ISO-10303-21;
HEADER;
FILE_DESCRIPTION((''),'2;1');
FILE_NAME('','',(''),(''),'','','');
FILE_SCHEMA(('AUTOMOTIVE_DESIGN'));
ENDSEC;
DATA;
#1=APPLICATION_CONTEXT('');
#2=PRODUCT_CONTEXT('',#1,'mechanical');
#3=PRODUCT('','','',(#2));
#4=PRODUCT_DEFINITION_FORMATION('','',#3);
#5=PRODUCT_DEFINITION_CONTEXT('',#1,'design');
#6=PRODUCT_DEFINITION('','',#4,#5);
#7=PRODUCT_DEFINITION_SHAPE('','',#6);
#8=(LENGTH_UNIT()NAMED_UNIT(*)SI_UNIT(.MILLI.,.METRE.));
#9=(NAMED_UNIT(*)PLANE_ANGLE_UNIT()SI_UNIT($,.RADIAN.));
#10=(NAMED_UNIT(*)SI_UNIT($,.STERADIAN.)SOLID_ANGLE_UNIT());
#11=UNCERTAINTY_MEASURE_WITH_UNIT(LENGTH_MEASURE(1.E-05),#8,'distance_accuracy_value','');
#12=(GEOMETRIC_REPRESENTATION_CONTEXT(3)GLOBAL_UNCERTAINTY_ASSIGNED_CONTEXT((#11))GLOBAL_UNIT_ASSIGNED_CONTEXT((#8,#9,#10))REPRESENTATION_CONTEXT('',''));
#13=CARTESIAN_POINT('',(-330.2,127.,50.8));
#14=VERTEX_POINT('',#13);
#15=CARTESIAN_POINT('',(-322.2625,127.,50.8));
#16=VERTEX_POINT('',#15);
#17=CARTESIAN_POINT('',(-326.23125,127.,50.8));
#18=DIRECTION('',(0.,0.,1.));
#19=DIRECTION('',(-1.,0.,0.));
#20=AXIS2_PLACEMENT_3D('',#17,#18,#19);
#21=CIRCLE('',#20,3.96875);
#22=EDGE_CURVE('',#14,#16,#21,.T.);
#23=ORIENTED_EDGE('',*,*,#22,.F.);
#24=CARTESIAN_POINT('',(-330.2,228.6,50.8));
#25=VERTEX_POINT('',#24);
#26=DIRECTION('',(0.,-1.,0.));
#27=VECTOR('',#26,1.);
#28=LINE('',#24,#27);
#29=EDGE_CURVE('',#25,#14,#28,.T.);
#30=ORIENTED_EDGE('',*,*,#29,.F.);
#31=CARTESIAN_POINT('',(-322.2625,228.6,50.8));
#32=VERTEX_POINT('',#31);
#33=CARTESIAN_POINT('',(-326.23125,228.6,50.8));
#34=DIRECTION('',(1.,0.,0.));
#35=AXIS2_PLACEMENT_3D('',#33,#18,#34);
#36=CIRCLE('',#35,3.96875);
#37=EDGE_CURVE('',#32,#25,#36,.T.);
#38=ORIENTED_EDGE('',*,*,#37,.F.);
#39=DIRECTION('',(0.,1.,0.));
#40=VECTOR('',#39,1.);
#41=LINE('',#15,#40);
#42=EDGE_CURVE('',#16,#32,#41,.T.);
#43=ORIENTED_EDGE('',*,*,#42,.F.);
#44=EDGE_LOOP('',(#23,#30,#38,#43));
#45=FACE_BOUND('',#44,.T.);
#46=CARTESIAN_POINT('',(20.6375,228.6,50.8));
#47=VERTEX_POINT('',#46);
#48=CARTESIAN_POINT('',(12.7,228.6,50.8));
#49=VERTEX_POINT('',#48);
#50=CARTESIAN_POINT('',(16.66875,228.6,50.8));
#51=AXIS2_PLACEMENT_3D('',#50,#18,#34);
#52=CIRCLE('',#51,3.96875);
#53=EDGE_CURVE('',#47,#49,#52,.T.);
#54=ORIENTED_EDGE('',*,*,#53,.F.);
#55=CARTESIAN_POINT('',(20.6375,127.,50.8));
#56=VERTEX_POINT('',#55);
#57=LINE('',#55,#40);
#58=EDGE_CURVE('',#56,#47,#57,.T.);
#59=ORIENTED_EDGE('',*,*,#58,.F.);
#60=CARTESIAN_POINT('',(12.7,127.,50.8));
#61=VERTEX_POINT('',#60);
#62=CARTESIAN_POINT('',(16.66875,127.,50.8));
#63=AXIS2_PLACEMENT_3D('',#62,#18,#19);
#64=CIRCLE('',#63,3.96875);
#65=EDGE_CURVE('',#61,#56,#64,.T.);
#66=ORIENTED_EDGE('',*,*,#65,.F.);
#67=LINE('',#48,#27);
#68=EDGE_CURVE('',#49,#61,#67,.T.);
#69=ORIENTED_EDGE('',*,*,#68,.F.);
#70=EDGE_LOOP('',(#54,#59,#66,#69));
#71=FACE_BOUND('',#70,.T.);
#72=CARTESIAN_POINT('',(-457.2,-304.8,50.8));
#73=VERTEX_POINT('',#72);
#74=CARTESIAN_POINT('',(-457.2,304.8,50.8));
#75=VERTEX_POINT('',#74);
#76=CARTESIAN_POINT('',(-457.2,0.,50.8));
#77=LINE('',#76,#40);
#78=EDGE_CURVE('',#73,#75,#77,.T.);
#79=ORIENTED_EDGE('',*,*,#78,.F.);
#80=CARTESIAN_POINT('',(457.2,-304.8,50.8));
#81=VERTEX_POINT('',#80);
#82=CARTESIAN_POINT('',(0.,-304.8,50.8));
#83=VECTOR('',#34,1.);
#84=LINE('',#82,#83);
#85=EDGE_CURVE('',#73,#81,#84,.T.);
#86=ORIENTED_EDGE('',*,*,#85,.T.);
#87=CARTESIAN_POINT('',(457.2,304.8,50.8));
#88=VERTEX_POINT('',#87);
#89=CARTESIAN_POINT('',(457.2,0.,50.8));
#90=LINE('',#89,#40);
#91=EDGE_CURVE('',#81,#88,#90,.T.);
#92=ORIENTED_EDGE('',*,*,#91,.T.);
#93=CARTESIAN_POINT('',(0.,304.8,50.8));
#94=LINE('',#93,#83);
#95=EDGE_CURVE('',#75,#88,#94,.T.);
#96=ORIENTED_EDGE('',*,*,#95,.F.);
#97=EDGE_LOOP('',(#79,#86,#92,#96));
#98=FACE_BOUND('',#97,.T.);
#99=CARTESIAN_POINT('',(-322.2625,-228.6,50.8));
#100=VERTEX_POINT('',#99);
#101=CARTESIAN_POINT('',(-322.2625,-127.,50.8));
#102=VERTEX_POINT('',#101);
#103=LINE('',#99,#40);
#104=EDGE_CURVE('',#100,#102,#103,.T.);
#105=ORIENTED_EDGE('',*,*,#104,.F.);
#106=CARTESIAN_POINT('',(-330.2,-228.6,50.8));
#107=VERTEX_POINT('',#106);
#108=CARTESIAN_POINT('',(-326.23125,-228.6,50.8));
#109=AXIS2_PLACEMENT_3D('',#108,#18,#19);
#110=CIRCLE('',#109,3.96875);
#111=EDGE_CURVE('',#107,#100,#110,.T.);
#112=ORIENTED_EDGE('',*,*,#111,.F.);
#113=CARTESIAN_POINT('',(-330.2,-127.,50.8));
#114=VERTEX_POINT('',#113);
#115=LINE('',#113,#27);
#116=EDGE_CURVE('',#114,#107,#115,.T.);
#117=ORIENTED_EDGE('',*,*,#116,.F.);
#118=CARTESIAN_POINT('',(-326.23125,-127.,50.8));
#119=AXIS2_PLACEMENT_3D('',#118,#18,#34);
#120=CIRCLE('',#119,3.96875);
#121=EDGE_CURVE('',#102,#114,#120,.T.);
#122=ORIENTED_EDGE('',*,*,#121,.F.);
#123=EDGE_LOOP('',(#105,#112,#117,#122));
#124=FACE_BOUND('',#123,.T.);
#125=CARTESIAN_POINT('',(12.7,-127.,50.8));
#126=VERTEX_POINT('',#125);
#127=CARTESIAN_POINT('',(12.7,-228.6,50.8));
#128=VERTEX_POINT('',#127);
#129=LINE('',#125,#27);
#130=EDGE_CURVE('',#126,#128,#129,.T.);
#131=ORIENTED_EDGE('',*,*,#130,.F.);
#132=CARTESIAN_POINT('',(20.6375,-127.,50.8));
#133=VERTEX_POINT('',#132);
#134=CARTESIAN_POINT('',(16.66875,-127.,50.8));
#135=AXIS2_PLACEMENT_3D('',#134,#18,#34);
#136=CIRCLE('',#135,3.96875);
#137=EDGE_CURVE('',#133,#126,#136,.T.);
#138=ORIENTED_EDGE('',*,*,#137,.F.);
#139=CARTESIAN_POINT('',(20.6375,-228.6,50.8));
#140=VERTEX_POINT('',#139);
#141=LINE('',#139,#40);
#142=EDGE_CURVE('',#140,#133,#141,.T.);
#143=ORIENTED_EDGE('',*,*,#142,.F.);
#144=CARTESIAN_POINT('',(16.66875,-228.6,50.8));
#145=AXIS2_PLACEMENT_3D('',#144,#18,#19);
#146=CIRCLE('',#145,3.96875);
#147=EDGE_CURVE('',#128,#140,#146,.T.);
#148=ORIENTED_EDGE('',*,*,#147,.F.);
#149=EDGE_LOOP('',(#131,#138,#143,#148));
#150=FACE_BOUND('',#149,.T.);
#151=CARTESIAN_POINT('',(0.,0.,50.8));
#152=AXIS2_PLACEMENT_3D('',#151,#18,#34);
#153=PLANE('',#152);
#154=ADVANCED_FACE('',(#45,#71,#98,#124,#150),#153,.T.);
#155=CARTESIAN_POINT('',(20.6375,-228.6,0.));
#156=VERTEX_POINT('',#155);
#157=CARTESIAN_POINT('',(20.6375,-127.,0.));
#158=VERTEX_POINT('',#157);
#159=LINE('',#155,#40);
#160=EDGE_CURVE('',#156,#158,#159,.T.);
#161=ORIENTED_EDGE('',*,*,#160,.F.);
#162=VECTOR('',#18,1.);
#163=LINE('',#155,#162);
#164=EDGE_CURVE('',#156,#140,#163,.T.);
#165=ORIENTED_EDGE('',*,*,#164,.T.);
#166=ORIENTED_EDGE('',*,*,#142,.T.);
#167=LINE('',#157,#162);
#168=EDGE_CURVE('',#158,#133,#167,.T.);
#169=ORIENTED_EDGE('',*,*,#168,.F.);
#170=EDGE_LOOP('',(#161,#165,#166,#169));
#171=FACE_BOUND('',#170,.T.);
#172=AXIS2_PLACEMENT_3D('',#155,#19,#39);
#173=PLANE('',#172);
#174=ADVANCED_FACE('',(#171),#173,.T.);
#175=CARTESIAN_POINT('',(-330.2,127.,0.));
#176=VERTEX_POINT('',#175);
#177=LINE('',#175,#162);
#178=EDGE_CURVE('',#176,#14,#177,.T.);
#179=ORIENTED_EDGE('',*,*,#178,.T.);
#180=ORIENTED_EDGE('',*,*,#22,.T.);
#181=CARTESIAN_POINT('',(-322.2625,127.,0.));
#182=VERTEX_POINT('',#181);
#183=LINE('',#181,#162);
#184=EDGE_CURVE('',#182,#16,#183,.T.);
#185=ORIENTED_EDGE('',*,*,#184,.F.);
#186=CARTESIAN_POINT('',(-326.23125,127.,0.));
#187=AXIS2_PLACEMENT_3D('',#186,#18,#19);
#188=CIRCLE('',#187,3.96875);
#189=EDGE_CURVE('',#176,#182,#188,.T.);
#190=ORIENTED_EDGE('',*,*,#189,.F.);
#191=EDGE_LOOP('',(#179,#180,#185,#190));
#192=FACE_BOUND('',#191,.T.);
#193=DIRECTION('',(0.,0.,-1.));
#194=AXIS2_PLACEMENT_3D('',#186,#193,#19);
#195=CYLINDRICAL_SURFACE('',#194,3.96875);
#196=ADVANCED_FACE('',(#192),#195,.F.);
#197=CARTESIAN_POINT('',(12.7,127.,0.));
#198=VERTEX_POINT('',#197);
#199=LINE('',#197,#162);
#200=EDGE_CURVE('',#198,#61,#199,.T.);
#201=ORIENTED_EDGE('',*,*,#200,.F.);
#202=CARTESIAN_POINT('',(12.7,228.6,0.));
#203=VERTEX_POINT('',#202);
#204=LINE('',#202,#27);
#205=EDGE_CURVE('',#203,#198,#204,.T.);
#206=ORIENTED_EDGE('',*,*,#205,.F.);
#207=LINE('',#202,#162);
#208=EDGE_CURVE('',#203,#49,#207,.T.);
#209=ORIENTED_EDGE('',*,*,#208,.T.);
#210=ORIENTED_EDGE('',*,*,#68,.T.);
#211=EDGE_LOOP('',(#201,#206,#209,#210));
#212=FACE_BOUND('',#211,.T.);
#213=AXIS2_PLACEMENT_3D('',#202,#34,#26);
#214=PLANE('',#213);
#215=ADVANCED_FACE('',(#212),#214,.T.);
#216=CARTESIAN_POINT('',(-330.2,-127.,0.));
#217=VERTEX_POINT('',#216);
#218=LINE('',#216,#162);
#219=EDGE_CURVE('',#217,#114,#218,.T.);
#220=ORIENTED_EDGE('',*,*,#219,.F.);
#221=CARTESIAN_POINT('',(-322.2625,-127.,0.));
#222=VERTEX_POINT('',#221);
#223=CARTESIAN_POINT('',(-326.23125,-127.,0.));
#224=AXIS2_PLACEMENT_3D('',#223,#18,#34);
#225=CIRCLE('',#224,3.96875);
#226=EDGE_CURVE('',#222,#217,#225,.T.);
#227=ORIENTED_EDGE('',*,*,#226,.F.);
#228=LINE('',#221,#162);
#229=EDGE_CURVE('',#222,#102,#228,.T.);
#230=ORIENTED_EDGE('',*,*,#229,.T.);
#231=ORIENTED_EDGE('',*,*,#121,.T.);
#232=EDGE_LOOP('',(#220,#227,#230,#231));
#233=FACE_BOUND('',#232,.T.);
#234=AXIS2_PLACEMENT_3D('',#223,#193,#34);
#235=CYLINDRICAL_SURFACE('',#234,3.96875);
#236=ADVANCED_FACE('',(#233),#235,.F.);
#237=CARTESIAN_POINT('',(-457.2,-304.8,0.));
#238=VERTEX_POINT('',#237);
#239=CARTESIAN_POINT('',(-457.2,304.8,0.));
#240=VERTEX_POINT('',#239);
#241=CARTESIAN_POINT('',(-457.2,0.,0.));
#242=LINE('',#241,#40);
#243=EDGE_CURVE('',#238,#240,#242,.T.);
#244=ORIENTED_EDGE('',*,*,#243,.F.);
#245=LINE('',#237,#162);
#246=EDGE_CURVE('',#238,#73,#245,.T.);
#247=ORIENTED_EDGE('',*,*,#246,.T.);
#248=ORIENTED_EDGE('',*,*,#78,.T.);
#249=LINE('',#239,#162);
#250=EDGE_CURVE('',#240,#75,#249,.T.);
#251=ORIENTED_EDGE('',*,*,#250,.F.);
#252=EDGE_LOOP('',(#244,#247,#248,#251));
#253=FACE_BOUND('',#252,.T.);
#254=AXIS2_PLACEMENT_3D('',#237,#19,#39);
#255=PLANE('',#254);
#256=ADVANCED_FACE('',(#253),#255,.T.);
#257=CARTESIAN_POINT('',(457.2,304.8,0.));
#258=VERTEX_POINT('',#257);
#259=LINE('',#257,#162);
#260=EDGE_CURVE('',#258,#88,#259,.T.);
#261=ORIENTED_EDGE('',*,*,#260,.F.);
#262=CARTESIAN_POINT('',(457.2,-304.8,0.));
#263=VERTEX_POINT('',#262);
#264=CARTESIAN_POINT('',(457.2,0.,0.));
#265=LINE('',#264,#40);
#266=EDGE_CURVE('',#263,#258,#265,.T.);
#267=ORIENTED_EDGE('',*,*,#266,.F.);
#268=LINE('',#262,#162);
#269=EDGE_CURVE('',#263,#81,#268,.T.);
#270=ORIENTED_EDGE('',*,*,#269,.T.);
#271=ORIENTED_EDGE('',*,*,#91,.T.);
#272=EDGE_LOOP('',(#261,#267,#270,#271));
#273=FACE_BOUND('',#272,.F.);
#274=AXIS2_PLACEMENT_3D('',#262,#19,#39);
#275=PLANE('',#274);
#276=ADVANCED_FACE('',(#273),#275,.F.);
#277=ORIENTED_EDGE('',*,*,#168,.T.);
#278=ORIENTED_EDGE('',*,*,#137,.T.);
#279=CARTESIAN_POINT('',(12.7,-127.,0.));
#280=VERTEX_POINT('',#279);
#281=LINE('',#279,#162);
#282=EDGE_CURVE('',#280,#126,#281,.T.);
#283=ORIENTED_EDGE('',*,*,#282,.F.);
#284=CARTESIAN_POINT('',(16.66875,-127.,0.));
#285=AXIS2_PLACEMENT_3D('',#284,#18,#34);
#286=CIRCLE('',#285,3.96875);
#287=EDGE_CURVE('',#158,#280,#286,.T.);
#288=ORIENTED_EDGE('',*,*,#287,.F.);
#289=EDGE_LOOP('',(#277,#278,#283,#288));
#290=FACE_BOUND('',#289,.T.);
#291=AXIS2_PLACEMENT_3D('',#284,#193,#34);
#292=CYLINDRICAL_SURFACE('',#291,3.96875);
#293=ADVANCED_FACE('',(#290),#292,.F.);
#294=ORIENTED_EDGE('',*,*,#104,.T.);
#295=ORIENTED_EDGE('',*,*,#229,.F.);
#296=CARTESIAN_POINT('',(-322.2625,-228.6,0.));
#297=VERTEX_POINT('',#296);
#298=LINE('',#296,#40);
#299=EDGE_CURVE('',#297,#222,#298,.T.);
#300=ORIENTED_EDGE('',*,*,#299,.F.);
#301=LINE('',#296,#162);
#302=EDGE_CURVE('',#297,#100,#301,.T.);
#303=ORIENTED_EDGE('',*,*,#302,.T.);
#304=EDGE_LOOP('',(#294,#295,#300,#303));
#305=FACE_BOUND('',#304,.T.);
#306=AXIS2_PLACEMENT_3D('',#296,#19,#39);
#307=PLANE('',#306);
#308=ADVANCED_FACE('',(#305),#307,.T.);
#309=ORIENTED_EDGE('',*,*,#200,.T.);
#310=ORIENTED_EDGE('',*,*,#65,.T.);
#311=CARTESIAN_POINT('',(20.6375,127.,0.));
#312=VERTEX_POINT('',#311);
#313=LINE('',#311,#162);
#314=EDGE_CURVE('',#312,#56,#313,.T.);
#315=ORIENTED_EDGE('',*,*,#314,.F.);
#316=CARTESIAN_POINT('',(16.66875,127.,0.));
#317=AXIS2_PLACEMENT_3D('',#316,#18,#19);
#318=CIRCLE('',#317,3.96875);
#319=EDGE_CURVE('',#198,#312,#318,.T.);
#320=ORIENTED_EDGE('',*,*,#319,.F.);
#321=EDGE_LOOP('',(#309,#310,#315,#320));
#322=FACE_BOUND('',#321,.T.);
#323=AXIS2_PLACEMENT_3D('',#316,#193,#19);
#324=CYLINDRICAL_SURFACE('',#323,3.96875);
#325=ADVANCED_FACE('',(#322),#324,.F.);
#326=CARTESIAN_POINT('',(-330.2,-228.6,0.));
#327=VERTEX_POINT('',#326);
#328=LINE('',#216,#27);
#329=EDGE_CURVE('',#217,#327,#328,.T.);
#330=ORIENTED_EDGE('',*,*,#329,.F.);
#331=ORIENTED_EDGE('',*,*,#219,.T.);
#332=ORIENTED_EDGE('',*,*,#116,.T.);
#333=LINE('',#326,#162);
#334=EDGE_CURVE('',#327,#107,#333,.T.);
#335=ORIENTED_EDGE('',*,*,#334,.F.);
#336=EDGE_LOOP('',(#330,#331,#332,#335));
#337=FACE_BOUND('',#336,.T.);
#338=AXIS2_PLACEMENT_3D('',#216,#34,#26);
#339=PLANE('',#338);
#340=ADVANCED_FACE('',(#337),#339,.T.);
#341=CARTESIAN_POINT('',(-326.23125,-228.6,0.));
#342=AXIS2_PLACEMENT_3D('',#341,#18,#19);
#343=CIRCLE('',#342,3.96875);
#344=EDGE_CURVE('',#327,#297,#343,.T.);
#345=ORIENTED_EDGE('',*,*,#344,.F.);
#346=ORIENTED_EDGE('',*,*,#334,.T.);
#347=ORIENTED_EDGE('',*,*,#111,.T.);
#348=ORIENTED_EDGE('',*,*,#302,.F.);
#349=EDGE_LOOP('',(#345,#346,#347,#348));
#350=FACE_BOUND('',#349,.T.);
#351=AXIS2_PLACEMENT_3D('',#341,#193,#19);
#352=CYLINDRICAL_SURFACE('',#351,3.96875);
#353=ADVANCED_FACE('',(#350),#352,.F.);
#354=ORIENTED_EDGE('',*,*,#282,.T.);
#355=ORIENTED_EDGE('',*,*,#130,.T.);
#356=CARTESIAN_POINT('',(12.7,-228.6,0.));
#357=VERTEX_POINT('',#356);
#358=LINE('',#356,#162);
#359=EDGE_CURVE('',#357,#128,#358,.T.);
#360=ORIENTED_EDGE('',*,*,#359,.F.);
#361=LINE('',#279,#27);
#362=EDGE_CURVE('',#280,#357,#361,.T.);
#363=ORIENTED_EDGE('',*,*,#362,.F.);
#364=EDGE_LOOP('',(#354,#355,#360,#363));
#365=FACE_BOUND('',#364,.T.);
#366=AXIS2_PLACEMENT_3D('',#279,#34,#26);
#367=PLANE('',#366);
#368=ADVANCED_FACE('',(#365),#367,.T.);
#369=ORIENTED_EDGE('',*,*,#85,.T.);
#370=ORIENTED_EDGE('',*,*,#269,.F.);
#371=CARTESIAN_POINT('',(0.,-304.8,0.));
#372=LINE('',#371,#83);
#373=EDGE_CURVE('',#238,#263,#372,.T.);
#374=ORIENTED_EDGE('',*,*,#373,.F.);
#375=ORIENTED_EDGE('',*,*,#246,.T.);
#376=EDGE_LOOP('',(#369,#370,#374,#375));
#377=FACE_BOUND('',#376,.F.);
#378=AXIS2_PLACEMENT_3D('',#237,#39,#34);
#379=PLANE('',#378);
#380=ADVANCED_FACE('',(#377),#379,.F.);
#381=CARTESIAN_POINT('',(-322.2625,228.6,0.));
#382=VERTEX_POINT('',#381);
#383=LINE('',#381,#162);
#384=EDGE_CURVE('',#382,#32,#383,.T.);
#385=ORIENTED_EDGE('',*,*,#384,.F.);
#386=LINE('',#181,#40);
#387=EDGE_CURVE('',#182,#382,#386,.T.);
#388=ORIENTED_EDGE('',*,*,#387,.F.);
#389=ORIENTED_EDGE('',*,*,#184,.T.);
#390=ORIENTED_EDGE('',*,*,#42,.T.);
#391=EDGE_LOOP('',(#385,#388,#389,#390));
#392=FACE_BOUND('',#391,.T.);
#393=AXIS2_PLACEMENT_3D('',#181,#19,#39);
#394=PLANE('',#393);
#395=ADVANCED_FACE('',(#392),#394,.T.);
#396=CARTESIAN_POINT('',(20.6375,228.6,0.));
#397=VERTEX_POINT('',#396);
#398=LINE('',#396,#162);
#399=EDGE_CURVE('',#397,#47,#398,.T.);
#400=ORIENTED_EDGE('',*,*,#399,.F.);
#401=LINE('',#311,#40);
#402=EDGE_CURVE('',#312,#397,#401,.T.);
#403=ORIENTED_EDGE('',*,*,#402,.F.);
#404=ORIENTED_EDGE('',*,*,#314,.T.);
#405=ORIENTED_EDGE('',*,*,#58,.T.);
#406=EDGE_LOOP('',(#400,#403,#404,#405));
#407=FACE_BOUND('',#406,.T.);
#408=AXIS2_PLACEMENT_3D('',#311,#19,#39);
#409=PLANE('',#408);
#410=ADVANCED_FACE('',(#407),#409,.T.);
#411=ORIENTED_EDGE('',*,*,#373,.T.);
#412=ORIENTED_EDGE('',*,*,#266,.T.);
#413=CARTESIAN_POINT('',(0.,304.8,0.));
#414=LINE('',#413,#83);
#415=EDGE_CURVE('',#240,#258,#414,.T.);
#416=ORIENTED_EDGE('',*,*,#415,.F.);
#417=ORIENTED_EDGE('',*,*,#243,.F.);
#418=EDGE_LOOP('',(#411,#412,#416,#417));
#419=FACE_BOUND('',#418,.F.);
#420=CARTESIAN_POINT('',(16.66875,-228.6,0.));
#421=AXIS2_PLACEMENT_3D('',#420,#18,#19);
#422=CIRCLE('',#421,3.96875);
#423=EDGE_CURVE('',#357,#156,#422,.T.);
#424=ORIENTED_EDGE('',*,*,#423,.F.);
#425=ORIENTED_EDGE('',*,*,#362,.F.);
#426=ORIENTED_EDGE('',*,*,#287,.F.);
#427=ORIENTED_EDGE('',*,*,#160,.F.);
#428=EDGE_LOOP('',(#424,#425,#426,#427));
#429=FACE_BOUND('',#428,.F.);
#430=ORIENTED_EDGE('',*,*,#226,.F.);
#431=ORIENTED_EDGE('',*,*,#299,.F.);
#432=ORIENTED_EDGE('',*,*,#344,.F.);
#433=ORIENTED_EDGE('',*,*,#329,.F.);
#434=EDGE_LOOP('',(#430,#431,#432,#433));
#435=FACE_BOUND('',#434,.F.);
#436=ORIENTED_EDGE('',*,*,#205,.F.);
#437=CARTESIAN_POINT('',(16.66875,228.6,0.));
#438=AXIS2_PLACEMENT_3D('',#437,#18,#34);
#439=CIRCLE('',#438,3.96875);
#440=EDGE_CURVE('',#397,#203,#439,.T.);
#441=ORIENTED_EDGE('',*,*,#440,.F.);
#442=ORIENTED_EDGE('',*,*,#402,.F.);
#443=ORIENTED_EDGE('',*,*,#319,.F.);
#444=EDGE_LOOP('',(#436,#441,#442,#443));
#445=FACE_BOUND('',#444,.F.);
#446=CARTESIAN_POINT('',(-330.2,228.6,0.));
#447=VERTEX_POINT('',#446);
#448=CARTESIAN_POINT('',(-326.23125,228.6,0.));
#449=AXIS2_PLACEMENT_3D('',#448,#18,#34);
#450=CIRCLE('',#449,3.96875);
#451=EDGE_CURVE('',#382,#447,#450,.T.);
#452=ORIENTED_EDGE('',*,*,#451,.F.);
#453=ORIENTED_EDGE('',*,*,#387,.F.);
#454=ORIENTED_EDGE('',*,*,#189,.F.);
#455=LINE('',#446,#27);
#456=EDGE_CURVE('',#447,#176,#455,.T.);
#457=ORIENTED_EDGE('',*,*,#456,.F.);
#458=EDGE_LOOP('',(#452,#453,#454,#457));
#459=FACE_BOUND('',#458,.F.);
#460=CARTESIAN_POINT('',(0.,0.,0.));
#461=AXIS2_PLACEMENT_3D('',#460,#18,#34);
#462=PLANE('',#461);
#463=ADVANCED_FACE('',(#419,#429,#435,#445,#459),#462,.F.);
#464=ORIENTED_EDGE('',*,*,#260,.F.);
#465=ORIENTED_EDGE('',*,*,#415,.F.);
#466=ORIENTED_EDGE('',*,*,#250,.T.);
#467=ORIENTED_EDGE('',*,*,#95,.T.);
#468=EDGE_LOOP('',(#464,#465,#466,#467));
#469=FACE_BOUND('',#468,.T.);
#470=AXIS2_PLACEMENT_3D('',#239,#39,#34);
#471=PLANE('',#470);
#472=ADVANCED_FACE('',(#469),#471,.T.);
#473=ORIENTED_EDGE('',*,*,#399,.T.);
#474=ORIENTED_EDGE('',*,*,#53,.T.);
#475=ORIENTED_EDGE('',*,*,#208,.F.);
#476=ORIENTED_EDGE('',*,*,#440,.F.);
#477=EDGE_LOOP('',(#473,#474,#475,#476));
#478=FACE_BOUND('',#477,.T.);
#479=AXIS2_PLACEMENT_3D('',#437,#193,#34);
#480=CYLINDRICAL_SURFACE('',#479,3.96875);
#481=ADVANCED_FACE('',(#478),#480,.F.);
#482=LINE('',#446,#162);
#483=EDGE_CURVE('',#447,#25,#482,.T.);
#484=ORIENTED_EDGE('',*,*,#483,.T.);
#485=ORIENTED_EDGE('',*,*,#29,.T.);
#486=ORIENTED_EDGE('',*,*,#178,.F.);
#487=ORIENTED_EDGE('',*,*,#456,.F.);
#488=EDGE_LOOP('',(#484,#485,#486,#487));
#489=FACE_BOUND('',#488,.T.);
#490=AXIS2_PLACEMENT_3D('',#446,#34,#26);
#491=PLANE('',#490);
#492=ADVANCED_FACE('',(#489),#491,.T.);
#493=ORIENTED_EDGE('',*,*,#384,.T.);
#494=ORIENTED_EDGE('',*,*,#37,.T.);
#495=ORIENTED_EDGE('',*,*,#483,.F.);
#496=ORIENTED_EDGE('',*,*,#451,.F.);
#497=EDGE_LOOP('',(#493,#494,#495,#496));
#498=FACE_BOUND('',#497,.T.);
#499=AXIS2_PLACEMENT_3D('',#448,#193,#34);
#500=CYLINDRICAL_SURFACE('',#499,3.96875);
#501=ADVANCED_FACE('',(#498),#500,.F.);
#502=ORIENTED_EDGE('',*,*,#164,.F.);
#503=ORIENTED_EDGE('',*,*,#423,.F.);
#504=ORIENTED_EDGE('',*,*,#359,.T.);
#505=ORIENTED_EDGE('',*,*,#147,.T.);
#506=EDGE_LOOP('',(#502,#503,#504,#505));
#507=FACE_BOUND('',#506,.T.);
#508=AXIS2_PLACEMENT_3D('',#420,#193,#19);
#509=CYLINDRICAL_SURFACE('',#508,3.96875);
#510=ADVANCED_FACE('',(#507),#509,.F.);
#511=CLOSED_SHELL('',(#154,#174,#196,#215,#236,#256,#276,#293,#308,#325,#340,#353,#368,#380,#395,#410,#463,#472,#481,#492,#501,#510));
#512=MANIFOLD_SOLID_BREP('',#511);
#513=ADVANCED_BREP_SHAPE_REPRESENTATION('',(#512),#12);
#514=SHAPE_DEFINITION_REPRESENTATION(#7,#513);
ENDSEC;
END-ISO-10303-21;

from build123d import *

# Parameters (mm, degrees)
F0_W     = 914.4
F0_H     = 609.6
F1_DEPTH = 50.8
F3_DEPTH = 50.8


with BuildPart() as f1:
    # F0 (on Top) → F1 (new body)
    with BuildSketch(Plane.XY):
        Rectangle(F0_W, F0_H)
    extrude(amount=F1_DEPTH)

    # F2 (on Top) → F3 (cut)
    with BuildSketch(Plane.XY):
        with BuildLine():
            Line((-322.2625, 127), (-322.2625, 228.6))
            ThreePointArc((-322.2625, 228.6), (-326.23125, 232.56875), (-330.2, 228.6))
            Line((-330.2, 228.6), (-330.2, 127))
            ThreePointArc((-330.2, 127), (-326.23125, 123.03125), (-322.2625, 127))
        make_face()
        with BuildLine():
            Line((20.6375, 127), (20.6375, 228.6))
            ThreePointArc((20.6375, 228.6), (16.66875, 232.56875), (12.7, 228.6))
            Line((12.7, 228.6), (12.7, 127))
            ThreePointArc((12.7, 127), (16.66875, 123.03125), (20.6375, 127))
        make_face()
        with BuildLine():
            Line((-322.2625, -228.6), (-322.2625, -127))
            ThreePointArc((-322.2625, -127), (-326.23125, -123.03125), (-330.2, -127))
            Line((-330.2, -127), (-330.2, -228.6))
            ThreePointArc((-330.2, -228.6), (-326.23125, -232.56875), (-322.2625, -228.6))
        make_face()
        with BuildLine():
            Line((20.6375, -228.6), (20.6375, -127))
            ThreePointArc((20.6375, -127), (16.66875, -123.03125), (12.7, -127))
            Line((12.7, -127), (12.7, -228.6))
            ThreePointArc((12.7, -228.6), (16.66875, -232.56875), (20.6375, -228.6))
        make_face()
    extrude(amount=F3_DEPTH, mode=Mode.SUBTRACT)


solid = f1.part
